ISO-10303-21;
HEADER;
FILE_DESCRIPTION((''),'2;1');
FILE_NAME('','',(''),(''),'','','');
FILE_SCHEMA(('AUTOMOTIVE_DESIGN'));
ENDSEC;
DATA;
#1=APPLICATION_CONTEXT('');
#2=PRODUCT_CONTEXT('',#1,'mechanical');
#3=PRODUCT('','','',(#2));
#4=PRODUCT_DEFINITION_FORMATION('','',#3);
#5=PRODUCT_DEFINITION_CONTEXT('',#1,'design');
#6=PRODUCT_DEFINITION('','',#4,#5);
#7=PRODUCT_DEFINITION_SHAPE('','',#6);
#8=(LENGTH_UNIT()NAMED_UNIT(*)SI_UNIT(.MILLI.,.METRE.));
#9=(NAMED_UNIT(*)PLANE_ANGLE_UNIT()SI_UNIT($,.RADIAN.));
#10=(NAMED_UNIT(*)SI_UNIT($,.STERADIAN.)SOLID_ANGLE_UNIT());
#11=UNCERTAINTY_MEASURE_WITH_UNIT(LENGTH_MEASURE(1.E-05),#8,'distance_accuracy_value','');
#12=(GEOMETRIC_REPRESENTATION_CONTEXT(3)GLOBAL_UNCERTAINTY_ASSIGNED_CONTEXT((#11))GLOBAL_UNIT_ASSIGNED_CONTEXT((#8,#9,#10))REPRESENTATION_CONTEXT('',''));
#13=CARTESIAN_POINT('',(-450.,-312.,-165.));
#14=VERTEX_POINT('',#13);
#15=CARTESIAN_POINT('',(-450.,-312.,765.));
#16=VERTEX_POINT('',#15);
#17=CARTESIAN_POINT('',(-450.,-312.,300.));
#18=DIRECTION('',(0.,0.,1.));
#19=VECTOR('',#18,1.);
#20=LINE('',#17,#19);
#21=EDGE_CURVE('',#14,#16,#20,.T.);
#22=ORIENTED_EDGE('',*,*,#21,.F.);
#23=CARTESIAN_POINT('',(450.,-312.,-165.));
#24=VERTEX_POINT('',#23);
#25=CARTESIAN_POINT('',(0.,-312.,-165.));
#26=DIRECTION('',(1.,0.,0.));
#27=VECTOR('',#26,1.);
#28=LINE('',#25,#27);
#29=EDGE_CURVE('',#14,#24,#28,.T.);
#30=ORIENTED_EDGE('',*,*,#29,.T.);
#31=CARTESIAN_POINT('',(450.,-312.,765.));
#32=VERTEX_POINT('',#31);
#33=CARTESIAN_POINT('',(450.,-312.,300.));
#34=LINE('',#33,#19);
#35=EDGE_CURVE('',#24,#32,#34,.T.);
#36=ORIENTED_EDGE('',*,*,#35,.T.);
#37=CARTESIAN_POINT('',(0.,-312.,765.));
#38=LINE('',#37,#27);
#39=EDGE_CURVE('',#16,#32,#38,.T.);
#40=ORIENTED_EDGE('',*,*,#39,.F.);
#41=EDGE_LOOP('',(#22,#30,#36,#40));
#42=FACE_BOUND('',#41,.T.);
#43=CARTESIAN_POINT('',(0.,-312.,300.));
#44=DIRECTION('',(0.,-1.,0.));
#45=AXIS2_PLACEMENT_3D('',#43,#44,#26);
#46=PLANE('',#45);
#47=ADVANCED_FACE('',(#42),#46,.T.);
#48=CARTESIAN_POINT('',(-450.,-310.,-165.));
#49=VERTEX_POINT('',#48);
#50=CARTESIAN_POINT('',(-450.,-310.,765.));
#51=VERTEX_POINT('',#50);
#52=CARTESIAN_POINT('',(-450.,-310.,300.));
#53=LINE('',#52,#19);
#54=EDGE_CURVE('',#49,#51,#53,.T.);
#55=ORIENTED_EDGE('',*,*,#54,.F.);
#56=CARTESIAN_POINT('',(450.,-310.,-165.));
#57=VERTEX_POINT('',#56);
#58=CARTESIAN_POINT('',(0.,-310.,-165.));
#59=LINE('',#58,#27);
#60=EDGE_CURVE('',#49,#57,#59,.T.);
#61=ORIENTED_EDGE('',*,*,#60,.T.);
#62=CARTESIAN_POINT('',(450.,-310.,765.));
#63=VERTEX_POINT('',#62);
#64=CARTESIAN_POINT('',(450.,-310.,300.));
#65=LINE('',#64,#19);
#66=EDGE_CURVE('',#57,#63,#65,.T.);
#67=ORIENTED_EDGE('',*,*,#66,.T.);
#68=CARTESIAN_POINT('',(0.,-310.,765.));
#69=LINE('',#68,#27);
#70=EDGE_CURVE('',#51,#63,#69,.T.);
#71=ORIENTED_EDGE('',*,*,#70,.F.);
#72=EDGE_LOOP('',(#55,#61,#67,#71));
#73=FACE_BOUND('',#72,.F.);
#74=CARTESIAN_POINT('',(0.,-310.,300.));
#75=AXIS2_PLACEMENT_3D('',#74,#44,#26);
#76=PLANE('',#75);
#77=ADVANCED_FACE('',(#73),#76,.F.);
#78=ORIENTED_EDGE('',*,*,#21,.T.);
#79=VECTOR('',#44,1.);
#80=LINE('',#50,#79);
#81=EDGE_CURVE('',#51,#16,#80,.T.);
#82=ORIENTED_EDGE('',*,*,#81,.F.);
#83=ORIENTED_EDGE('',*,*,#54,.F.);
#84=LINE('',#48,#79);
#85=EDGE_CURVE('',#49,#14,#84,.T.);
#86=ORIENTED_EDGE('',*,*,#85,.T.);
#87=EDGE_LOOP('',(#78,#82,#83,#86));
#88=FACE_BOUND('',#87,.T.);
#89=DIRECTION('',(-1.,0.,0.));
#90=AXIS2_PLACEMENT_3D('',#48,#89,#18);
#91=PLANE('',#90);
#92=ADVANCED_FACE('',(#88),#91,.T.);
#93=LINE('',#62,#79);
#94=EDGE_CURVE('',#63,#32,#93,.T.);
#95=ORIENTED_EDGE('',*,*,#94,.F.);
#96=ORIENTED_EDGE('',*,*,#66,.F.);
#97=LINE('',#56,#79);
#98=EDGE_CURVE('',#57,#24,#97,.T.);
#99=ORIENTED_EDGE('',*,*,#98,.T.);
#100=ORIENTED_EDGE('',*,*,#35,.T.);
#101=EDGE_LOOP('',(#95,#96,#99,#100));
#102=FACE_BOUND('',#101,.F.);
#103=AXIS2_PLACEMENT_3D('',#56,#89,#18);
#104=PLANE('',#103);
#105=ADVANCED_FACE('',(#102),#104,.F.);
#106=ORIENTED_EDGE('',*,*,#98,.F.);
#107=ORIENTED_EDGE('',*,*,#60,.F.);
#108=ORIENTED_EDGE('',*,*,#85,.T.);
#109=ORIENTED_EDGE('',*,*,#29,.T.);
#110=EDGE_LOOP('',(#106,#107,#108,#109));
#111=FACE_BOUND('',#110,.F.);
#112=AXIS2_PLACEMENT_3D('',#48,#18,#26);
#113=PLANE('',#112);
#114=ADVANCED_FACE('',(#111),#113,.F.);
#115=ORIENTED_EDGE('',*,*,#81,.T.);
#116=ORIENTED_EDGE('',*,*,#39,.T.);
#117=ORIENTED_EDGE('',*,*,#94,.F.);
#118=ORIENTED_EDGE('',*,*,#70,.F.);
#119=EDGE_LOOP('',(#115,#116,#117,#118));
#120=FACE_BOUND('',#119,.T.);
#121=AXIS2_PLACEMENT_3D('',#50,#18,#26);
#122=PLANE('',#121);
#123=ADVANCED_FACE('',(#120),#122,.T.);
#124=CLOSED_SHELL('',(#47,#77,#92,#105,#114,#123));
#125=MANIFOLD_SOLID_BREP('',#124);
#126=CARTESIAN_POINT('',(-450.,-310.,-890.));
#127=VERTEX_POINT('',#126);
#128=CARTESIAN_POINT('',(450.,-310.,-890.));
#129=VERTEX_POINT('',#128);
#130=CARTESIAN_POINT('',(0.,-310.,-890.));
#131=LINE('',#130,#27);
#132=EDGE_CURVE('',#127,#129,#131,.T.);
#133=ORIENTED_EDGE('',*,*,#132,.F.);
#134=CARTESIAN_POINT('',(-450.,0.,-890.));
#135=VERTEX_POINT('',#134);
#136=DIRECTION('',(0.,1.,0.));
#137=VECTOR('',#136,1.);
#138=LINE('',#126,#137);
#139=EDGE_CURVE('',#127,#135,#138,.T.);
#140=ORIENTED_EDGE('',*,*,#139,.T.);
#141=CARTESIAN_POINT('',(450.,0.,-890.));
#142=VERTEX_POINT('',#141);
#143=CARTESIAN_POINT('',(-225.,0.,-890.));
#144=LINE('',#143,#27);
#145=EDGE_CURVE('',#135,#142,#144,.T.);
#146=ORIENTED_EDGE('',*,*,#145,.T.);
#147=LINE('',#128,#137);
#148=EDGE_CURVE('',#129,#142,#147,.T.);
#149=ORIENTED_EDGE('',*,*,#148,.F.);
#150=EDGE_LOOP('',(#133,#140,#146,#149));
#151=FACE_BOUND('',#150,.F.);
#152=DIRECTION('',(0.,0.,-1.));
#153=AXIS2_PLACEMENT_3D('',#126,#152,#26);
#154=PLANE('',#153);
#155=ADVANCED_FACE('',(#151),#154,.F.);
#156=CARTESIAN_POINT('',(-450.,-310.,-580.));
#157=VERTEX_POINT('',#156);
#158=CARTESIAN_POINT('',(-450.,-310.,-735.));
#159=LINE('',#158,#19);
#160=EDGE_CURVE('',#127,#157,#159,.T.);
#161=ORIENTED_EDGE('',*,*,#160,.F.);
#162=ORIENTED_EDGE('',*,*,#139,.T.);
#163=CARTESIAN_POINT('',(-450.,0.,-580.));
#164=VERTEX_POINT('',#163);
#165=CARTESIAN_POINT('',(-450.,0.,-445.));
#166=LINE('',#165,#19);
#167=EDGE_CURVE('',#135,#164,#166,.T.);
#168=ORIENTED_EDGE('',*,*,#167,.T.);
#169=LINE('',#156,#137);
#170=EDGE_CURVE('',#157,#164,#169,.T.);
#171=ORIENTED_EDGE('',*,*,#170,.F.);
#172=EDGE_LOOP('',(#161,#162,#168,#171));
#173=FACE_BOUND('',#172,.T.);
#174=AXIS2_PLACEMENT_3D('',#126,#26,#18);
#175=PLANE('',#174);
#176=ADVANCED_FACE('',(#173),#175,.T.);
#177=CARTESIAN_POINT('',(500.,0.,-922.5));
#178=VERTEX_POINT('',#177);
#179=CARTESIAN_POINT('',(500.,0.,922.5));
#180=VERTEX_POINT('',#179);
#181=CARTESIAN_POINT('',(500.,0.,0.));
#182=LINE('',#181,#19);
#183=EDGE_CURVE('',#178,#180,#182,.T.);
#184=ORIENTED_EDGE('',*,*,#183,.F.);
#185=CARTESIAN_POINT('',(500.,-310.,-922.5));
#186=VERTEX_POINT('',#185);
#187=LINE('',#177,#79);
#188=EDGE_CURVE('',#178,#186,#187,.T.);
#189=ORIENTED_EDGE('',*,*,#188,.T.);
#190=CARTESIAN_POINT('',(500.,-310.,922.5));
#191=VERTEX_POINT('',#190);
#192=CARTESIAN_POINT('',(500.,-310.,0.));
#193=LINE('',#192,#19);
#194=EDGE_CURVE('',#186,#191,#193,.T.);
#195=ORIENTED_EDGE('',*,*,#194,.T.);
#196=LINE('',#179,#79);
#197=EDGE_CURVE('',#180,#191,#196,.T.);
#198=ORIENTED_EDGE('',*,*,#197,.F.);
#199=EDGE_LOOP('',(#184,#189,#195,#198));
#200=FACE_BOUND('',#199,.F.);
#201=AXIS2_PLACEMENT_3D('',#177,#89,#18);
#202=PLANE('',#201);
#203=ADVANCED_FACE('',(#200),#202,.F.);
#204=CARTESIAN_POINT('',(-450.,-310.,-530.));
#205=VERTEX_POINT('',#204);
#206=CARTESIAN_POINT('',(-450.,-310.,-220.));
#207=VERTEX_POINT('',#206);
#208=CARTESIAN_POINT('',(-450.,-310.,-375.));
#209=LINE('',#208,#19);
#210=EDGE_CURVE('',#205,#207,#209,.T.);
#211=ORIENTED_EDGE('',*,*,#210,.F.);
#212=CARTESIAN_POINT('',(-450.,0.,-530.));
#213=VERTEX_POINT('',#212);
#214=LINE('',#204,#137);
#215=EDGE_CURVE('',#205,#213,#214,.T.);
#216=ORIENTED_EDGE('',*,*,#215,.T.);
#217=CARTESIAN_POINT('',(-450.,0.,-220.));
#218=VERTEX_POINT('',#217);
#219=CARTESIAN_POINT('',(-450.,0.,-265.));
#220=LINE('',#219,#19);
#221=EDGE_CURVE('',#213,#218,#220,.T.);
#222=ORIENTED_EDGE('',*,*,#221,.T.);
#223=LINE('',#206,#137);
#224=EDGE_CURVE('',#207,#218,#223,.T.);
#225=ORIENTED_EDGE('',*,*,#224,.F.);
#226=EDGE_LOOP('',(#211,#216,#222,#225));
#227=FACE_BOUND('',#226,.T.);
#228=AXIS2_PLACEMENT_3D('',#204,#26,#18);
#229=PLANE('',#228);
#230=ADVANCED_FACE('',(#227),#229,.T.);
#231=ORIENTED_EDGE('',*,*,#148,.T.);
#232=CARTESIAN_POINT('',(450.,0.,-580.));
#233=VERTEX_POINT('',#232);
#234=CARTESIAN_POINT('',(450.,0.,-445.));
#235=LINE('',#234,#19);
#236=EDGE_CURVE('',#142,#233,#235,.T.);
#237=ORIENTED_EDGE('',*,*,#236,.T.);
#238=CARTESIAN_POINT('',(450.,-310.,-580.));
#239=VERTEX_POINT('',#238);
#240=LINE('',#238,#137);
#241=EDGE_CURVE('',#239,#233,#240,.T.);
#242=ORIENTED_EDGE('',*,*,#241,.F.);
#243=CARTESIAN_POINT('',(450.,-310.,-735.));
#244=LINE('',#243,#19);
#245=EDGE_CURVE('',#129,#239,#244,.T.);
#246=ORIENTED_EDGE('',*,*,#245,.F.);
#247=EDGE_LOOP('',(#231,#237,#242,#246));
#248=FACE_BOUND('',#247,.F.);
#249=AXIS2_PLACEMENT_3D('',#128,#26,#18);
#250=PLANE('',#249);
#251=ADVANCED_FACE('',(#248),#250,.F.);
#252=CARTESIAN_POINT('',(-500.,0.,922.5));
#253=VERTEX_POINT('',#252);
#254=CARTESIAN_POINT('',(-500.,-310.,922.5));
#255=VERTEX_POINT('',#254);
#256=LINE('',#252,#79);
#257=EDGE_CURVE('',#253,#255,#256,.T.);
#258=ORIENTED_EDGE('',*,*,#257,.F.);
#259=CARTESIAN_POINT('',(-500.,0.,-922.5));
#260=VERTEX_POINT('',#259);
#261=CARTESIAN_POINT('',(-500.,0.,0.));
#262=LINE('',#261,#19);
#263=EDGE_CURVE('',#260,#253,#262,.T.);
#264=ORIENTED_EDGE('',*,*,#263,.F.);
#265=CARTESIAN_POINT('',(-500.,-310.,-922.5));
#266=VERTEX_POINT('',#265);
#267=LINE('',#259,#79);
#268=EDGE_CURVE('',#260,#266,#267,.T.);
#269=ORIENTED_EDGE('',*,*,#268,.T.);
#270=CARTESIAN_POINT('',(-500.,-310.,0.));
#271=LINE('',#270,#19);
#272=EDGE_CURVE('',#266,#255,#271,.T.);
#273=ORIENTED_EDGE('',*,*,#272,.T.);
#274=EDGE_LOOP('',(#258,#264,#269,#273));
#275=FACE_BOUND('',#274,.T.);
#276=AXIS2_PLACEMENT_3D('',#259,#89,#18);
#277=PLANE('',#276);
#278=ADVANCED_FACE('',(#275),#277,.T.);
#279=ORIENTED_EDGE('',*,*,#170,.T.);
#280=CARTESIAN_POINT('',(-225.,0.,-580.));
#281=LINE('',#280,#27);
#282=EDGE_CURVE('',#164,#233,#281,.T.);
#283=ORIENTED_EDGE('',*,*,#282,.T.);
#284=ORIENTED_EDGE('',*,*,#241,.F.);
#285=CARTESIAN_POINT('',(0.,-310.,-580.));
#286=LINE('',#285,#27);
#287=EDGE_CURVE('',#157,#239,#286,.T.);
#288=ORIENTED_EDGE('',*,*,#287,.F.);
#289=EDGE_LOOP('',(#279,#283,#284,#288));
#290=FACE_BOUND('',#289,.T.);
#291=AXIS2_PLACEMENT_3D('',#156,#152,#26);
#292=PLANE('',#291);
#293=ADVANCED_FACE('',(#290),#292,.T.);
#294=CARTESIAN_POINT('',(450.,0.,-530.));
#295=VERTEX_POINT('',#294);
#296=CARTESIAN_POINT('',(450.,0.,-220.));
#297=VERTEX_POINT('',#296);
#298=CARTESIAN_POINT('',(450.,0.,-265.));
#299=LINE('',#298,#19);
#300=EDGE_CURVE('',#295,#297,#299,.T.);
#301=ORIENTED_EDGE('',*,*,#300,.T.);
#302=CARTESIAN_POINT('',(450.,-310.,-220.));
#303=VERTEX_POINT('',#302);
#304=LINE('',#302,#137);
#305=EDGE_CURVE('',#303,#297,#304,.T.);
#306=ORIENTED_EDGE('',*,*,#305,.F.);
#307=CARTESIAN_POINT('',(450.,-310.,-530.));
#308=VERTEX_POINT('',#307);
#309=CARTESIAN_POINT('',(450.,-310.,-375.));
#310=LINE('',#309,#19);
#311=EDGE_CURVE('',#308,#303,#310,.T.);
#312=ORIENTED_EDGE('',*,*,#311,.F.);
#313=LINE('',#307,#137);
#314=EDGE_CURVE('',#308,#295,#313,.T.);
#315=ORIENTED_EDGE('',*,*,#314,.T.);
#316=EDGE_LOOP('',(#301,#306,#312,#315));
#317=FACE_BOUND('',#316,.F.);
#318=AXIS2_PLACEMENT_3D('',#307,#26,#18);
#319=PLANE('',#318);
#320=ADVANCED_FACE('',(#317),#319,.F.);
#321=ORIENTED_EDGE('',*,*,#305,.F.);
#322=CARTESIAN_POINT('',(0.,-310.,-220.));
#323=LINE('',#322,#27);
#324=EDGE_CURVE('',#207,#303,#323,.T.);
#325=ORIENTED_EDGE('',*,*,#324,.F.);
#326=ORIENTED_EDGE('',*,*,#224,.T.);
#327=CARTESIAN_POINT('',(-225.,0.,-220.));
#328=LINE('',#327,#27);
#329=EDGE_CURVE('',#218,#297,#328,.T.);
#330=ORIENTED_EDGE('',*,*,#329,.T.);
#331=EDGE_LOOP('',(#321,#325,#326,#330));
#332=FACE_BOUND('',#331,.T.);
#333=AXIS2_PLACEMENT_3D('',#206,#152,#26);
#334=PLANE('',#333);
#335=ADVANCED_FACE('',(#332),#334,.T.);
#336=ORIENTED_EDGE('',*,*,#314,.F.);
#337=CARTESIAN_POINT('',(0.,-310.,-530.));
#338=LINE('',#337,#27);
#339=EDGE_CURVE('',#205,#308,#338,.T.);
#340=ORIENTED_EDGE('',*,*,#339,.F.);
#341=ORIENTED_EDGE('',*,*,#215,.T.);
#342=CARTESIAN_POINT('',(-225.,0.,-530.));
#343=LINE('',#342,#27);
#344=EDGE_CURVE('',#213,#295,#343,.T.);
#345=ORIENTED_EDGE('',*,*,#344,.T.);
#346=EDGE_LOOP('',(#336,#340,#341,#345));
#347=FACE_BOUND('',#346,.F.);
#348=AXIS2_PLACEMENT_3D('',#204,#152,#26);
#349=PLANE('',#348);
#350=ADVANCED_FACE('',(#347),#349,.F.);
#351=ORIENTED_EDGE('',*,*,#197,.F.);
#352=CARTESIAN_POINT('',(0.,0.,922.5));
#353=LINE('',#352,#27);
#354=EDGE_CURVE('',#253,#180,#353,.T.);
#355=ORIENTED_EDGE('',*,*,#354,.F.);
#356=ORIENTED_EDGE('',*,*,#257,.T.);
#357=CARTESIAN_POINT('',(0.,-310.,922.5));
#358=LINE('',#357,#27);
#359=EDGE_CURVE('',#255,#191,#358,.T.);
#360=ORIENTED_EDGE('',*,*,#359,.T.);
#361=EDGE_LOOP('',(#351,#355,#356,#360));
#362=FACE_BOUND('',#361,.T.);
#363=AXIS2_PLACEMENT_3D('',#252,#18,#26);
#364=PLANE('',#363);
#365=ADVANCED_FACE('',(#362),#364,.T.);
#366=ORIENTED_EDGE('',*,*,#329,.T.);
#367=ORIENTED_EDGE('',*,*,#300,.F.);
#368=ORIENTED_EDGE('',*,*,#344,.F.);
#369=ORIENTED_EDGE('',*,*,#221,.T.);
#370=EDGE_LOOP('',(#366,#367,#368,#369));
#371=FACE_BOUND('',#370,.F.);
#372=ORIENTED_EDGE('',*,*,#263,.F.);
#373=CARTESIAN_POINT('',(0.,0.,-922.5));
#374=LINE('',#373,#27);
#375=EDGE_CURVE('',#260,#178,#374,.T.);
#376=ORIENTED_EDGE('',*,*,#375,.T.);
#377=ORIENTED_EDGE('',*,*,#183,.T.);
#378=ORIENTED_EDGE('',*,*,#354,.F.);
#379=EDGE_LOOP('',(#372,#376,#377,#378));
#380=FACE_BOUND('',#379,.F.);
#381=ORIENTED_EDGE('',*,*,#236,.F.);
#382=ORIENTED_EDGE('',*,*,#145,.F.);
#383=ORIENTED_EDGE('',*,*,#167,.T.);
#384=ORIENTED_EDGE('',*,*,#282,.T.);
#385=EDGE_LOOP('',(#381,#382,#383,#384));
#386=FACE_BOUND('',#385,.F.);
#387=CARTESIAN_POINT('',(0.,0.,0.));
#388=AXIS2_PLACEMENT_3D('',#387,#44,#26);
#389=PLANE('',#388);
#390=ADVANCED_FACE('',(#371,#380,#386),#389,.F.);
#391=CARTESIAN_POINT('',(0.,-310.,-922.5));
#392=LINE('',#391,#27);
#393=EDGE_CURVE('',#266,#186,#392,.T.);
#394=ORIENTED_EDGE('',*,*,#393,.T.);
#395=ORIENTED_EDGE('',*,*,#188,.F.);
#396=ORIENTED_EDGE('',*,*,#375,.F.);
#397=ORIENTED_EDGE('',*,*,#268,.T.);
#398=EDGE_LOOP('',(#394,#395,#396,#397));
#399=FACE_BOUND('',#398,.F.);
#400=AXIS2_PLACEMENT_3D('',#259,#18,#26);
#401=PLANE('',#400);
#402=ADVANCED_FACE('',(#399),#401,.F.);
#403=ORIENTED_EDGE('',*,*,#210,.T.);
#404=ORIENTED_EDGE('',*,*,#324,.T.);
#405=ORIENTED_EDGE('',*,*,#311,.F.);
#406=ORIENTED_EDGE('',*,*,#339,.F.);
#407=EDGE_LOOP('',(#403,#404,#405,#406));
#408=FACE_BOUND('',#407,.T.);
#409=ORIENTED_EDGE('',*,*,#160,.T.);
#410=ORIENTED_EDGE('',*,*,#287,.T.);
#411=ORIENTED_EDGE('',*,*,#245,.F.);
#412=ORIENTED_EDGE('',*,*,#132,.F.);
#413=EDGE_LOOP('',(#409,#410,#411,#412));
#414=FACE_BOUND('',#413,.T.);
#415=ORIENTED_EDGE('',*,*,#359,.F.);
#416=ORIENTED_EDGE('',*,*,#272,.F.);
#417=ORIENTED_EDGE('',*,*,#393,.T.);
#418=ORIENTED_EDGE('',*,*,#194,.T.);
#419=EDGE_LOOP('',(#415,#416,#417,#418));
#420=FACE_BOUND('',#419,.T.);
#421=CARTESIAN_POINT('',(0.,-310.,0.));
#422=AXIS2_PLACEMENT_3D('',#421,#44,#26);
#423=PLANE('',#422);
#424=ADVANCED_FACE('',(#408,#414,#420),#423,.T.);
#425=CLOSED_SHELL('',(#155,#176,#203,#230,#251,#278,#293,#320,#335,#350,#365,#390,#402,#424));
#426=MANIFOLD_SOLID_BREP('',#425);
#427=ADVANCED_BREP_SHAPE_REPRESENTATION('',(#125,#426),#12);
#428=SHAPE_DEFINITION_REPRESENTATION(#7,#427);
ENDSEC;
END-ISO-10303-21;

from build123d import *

# Parameters (mm, degrees)
F0_W     = 1000
F0_H     = 1845
F1_DEPTH = 310
F4_W     = 900
F4_H     = 930
F2_DEPTH = 2
F5_W     = 900
F5_H     = 310
F3_DEPTH = 310.001


with BuildPart() as f1:
    # F0 (on Front) → F1 (new body)
    with BuildSketch(Plane.XZ):
        Rectangle(F0_W, F0_H)
    extrude(amount=F1_DEPTH)

    # F5 (on face) → F3 (cut, through all)
    with BuildSketch(Plane.XZ.offset(310)):
        with Locations((0, -375)):
            Rectangle(F5_W, F5_H)
        with Locations((0, -735)):
            Rectangle(F5_W, F5_H)
    extrude(amount=-F3_DEPTH, mode=Mode.SUBTRACT)


with BuildPart() as f2:
    # F4 (on face) → F2 (new body)
    with BuildSketch(Plane.XZ.offset(310)):
        with Locations((0, 300)):
            Rectangle(F4_W, F4_H)
    extrude(amount=F2_DEPTH)


solid = Compound([f1.part, f2.part])
